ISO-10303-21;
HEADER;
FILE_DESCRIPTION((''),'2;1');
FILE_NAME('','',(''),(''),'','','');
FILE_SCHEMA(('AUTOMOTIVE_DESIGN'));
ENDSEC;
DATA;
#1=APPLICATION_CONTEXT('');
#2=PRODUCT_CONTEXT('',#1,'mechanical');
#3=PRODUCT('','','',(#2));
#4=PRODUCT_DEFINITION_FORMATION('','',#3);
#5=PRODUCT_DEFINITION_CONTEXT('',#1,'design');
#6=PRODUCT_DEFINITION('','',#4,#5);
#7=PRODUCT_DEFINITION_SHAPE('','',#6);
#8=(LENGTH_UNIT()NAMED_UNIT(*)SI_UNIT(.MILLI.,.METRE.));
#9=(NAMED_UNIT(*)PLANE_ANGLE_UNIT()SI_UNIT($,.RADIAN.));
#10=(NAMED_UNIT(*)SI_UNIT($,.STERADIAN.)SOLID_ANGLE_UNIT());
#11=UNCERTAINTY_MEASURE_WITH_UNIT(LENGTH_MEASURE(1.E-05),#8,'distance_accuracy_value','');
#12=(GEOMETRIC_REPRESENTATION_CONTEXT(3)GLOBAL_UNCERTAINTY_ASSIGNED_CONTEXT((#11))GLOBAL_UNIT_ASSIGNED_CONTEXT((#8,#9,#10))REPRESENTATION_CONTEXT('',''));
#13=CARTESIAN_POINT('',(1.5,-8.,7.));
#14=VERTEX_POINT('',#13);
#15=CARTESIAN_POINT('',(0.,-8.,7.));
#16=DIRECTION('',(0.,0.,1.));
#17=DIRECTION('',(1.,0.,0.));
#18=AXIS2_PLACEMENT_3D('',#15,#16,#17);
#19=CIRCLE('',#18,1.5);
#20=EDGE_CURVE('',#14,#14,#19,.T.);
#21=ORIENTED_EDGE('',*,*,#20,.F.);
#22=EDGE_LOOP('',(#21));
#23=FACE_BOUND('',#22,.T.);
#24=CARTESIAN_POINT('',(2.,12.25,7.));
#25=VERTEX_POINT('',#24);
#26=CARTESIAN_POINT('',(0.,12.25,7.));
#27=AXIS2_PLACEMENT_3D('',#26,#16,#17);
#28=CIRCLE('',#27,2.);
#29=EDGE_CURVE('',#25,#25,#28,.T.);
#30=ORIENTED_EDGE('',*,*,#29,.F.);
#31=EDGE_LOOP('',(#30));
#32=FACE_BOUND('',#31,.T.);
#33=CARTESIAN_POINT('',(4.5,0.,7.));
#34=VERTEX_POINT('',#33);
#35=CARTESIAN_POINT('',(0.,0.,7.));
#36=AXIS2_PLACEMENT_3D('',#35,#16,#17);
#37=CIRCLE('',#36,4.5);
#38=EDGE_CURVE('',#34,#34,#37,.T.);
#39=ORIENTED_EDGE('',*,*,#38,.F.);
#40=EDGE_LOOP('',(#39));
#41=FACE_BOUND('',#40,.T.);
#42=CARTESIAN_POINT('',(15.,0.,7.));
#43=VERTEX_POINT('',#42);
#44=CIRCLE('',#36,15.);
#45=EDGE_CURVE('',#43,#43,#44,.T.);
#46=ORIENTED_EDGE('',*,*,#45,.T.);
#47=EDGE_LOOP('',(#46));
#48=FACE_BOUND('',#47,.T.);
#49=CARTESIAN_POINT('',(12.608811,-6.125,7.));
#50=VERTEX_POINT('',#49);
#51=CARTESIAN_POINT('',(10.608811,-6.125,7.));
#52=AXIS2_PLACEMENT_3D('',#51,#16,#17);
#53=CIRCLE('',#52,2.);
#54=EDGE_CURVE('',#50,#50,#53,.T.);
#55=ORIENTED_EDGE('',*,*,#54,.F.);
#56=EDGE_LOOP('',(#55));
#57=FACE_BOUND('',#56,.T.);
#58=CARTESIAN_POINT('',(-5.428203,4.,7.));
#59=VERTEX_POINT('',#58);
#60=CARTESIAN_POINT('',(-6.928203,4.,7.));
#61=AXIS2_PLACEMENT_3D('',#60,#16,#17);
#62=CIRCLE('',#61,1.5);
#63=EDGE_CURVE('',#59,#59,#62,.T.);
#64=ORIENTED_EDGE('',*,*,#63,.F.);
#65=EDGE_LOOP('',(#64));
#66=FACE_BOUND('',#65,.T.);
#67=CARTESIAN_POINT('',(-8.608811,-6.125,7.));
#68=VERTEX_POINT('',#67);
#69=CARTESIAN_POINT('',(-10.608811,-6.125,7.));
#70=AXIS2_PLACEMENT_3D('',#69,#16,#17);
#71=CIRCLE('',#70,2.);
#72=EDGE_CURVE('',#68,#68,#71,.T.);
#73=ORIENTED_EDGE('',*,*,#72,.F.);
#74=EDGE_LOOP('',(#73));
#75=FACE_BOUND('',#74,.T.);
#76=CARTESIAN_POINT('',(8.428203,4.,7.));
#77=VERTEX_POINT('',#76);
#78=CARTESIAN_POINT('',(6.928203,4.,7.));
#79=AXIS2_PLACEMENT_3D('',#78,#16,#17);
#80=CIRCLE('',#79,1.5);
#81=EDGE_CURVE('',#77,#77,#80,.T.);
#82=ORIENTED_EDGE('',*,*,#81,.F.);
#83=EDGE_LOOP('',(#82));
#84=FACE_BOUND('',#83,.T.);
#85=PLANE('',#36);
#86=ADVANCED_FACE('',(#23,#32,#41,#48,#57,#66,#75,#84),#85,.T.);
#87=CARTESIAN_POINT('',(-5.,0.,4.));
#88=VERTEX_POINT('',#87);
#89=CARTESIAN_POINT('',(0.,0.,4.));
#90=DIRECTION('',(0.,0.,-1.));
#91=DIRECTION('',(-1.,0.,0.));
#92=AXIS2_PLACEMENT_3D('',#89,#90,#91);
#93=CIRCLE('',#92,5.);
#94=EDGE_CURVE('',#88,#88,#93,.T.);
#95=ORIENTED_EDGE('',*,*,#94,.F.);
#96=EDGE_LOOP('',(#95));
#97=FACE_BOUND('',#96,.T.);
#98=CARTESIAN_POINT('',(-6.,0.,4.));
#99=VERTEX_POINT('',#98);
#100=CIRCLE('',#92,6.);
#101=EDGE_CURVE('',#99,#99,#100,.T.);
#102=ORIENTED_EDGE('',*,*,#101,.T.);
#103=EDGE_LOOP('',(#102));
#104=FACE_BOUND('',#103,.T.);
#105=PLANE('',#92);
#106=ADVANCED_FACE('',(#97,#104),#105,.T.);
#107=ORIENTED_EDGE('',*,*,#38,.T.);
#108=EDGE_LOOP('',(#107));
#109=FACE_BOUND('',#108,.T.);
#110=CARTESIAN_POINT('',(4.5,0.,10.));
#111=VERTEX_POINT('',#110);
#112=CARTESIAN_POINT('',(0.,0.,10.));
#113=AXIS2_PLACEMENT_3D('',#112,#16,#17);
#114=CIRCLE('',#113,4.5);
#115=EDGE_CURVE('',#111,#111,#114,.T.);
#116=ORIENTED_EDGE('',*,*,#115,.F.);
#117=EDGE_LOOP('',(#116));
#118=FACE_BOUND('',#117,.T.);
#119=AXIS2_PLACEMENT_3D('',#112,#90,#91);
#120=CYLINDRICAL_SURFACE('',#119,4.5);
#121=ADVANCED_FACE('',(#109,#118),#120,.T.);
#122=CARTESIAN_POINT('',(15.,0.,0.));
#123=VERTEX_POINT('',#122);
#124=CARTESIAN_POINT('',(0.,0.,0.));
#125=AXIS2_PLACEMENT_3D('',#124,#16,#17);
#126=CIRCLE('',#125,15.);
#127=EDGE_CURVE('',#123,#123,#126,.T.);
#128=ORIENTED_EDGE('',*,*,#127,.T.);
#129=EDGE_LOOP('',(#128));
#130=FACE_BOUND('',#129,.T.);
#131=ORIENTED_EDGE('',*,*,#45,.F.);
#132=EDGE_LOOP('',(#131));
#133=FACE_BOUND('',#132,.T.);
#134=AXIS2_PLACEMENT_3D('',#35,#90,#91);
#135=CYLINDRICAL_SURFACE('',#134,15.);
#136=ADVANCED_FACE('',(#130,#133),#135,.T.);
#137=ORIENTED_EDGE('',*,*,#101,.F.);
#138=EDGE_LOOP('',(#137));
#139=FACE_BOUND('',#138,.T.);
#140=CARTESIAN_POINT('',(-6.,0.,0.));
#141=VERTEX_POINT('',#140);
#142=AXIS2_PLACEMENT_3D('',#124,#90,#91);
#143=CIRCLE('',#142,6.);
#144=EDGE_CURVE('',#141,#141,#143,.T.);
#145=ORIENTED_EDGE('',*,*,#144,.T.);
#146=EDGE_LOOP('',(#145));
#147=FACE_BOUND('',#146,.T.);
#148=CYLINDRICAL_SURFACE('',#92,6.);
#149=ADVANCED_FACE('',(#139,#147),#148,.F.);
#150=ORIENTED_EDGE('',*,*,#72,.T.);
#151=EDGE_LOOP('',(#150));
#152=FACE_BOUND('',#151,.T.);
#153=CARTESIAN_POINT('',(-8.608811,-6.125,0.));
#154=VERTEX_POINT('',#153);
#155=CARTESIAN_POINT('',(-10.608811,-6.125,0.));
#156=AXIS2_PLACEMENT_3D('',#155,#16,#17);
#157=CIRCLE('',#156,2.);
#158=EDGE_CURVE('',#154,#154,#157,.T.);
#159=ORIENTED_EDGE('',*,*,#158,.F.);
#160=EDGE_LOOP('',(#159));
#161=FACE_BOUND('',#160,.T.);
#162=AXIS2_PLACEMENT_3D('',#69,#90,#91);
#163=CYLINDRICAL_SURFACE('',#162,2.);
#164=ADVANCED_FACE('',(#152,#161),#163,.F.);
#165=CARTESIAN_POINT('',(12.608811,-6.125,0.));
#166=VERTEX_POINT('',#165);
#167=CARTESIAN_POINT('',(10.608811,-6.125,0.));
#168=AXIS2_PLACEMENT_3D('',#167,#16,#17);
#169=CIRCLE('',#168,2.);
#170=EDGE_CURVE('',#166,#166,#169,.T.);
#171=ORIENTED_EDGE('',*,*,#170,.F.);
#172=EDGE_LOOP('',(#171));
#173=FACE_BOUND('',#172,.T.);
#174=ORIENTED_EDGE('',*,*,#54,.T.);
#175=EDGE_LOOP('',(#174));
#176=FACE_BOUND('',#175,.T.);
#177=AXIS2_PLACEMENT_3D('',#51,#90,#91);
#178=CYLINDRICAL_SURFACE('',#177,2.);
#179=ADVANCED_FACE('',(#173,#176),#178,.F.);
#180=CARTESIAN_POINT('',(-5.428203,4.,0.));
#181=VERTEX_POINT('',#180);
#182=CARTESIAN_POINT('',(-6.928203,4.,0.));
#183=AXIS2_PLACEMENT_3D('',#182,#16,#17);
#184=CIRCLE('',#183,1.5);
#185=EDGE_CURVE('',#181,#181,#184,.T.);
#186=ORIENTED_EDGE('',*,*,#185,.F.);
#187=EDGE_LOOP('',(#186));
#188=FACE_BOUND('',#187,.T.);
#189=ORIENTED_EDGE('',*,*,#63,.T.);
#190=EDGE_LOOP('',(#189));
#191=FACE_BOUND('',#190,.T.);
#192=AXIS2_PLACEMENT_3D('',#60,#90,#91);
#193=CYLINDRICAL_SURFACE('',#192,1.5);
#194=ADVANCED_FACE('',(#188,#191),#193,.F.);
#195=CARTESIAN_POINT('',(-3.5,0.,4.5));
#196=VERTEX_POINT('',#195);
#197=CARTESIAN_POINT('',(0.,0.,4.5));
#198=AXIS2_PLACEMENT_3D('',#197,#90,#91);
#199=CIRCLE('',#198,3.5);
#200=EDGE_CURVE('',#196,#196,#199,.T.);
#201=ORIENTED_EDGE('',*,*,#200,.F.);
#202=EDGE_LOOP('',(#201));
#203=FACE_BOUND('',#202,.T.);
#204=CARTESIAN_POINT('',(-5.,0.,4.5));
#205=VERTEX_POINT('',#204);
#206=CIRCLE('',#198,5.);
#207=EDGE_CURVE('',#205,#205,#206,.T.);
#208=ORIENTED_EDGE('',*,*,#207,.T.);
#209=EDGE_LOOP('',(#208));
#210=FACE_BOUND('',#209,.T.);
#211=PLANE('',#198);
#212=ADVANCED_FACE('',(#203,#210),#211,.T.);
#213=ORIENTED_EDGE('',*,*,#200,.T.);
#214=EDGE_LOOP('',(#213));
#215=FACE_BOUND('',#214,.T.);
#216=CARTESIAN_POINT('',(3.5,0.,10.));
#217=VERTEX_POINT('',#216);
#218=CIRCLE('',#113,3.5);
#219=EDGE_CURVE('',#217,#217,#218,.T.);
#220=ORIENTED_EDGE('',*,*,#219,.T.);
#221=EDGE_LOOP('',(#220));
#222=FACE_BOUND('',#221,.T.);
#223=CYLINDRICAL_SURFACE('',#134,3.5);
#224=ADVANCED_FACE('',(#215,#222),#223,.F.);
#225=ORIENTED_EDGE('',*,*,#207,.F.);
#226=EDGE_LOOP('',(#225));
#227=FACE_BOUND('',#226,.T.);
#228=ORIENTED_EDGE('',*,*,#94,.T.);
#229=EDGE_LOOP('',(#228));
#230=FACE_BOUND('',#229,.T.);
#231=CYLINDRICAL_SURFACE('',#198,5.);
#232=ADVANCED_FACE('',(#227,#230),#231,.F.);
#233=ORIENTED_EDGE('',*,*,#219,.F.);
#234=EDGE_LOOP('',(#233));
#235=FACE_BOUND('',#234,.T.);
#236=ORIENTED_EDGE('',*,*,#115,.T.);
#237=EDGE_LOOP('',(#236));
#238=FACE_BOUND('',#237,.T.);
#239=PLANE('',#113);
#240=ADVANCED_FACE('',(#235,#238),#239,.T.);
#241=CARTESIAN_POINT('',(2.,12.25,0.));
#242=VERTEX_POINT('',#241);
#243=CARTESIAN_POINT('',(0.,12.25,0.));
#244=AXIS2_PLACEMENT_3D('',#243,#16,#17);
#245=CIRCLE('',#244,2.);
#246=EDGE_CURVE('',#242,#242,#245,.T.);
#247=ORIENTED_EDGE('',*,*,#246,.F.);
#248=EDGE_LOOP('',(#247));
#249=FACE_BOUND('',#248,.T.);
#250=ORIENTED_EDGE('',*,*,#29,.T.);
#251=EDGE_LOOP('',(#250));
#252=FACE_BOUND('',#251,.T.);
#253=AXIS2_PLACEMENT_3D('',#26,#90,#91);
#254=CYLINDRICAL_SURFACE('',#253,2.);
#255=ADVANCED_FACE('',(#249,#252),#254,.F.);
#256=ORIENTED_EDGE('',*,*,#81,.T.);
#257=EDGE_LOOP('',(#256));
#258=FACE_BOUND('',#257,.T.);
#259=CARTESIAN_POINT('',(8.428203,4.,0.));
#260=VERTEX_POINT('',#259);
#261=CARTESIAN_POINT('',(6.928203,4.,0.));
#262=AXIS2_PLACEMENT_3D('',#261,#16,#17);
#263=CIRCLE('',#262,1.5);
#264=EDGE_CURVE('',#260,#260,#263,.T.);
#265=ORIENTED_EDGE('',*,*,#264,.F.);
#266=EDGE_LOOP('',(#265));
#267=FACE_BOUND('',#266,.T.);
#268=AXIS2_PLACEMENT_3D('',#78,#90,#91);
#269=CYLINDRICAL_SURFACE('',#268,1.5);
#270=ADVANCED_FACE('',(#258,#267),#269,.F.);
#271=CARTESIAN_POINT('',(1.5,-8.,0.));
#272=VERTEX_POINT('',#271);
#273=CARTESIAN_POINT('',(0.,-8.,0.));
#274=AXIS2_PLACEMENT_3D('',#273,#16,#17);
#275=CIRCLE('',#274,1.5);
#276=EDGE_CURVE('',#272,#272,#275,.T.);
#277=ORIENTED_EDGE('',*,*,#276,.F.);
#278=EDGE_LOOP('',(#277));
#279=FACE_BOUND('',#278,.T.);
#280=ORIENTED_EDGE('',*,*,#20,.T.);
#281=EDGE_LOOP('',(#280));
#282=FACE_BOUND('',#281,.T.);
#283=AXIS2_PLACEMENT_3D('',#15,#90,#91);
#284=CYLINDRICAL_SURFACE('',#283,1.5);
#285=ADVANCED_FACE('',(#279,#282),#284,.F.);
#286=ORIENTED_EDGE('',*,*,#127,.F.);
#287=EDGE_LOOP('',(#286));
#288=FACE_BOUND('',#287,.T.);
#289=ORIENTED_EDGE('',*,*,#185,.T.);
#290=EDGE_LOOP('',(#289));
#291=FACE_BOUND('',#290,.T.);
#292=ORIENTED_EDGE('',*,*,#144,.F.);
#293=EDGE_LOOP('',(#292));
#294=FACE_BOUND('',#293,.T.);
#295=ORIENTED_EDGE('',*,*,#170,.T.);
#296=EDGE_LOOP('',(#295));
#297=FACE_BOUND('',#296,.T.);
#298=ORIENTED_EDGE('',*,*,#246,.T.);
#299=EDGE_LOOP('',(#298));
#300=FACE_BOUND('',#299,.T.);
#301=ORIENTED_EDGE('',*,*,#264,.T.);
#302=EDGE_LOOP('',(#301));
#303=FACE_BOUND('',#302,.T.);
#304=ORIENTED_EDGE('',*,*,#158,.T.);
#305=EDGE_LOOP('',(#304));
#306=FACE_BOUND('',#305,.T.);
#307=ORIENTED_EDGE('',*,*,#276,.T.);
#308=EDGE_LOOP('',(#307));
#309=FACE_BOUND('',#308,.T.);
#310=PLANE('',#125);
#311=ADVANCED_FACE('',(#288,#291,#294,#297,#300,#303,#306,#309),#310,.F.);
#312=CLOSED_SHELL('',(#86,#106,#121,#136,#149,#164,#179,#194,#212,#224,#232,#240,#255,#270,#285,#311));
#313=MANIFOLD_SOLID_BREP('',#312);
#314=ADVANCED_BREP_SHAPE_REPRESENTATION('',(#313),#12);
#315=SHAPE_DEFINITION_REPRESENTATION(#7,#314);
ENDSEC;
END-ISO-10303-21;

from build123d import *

# Parameters (mm, degrees)
ESQUISSE1_R      = 15
ESQUISSE1_R_2    = 3.5
ESQUISSE1_R_3    = 2
ESQUISSE1_R_4    = 1.5
EXTRUSION1_DEPTH = 7
ESQUISSE2_R      = 4.5
ESQUISSE2_R_2    = 3.5
EXTRUSION2_DEPTH = 3
ESQUISSE3_R      = 6
EXTRUSION3_DEPTH = 4
ESQUISSE4_R      = 5
ESQUISSE4_R_2    = 3.5
EXTRUSION4_DEPTH = 0.5


with BuildPart() as part:
    # Esquisse1 → Extrusion1 (new body)
    with BuildSketch(Plane.XY):
        Circle(ESQUISSE1_R)
        Circle(ESQUISSE1_R_2, mode=Mode.SUBTRACT)
        with Locations((10.608811196, -6.125)):
            Circle(ESQUISSE1_R_3, mode=Mode.SUBTRACT)
        with Locations((0, 12.25)):
            Circle(ESQUISSE1_R_3, mode=Mode.SUBTRACT)
        with Locations((-10.608811196, -6.125)):
            Circle(ESQUISSE1_R_3, mode=Mode.SUBTRACT)
        with Locations((-6.92820323, 4)):
            Circle(ESQUISSE1_R_4, mode=Mode.SUBTRACT)
        with Locations((6.92820323, 4)):
            Circle(ESQUISSE1_R_4, mode=Mode.SUBTRACT)
        with Locations((0, -8)):
            Circle(ESQUISSE1_R_4, mode=Mode.SUBTRACT)
    extrude(amount=EXTRUSION1_DEPTH)

    # Esquisse2 → Extrusion2 (add)
    with BuildSketch(Plane.XY.offset(7)):
        Circle(ESQUISSE2_R)
        Circle(ESQUISSE2_R_2, mode=Mode.SUBTRACT)
    extrude(amount=EXTRUSION2_DEPTH)

    # Esquisse3 → Extrusion3 (cut)
    with BuildSketch(Plane(origin=(0, 0, 0), x_dir=(-1, 0, 0), z_dir=(0, 0, -1))):
        Circle(ESQUISSE3_R)
    extrude(amount=-EXTRUSION3_DEPTH, mode=Mode.SUBTRACT)

    # Esquisse4 → Extrusion4 (cut)
    with BuildSketch(Plane(origin=(0, 0, 4), x_dir=(-1, 0, 0), z_dir=(0, 0, -1))):
        Circle(ESQUISSE4_R)
        Circle(ESQUISSE4_R_2, mode=Mode.SUBTRACT)
    extrude(amount=-EXTRUSION4_DEPTH, mode=Mode.SUBTRACT)


solid = part.part
